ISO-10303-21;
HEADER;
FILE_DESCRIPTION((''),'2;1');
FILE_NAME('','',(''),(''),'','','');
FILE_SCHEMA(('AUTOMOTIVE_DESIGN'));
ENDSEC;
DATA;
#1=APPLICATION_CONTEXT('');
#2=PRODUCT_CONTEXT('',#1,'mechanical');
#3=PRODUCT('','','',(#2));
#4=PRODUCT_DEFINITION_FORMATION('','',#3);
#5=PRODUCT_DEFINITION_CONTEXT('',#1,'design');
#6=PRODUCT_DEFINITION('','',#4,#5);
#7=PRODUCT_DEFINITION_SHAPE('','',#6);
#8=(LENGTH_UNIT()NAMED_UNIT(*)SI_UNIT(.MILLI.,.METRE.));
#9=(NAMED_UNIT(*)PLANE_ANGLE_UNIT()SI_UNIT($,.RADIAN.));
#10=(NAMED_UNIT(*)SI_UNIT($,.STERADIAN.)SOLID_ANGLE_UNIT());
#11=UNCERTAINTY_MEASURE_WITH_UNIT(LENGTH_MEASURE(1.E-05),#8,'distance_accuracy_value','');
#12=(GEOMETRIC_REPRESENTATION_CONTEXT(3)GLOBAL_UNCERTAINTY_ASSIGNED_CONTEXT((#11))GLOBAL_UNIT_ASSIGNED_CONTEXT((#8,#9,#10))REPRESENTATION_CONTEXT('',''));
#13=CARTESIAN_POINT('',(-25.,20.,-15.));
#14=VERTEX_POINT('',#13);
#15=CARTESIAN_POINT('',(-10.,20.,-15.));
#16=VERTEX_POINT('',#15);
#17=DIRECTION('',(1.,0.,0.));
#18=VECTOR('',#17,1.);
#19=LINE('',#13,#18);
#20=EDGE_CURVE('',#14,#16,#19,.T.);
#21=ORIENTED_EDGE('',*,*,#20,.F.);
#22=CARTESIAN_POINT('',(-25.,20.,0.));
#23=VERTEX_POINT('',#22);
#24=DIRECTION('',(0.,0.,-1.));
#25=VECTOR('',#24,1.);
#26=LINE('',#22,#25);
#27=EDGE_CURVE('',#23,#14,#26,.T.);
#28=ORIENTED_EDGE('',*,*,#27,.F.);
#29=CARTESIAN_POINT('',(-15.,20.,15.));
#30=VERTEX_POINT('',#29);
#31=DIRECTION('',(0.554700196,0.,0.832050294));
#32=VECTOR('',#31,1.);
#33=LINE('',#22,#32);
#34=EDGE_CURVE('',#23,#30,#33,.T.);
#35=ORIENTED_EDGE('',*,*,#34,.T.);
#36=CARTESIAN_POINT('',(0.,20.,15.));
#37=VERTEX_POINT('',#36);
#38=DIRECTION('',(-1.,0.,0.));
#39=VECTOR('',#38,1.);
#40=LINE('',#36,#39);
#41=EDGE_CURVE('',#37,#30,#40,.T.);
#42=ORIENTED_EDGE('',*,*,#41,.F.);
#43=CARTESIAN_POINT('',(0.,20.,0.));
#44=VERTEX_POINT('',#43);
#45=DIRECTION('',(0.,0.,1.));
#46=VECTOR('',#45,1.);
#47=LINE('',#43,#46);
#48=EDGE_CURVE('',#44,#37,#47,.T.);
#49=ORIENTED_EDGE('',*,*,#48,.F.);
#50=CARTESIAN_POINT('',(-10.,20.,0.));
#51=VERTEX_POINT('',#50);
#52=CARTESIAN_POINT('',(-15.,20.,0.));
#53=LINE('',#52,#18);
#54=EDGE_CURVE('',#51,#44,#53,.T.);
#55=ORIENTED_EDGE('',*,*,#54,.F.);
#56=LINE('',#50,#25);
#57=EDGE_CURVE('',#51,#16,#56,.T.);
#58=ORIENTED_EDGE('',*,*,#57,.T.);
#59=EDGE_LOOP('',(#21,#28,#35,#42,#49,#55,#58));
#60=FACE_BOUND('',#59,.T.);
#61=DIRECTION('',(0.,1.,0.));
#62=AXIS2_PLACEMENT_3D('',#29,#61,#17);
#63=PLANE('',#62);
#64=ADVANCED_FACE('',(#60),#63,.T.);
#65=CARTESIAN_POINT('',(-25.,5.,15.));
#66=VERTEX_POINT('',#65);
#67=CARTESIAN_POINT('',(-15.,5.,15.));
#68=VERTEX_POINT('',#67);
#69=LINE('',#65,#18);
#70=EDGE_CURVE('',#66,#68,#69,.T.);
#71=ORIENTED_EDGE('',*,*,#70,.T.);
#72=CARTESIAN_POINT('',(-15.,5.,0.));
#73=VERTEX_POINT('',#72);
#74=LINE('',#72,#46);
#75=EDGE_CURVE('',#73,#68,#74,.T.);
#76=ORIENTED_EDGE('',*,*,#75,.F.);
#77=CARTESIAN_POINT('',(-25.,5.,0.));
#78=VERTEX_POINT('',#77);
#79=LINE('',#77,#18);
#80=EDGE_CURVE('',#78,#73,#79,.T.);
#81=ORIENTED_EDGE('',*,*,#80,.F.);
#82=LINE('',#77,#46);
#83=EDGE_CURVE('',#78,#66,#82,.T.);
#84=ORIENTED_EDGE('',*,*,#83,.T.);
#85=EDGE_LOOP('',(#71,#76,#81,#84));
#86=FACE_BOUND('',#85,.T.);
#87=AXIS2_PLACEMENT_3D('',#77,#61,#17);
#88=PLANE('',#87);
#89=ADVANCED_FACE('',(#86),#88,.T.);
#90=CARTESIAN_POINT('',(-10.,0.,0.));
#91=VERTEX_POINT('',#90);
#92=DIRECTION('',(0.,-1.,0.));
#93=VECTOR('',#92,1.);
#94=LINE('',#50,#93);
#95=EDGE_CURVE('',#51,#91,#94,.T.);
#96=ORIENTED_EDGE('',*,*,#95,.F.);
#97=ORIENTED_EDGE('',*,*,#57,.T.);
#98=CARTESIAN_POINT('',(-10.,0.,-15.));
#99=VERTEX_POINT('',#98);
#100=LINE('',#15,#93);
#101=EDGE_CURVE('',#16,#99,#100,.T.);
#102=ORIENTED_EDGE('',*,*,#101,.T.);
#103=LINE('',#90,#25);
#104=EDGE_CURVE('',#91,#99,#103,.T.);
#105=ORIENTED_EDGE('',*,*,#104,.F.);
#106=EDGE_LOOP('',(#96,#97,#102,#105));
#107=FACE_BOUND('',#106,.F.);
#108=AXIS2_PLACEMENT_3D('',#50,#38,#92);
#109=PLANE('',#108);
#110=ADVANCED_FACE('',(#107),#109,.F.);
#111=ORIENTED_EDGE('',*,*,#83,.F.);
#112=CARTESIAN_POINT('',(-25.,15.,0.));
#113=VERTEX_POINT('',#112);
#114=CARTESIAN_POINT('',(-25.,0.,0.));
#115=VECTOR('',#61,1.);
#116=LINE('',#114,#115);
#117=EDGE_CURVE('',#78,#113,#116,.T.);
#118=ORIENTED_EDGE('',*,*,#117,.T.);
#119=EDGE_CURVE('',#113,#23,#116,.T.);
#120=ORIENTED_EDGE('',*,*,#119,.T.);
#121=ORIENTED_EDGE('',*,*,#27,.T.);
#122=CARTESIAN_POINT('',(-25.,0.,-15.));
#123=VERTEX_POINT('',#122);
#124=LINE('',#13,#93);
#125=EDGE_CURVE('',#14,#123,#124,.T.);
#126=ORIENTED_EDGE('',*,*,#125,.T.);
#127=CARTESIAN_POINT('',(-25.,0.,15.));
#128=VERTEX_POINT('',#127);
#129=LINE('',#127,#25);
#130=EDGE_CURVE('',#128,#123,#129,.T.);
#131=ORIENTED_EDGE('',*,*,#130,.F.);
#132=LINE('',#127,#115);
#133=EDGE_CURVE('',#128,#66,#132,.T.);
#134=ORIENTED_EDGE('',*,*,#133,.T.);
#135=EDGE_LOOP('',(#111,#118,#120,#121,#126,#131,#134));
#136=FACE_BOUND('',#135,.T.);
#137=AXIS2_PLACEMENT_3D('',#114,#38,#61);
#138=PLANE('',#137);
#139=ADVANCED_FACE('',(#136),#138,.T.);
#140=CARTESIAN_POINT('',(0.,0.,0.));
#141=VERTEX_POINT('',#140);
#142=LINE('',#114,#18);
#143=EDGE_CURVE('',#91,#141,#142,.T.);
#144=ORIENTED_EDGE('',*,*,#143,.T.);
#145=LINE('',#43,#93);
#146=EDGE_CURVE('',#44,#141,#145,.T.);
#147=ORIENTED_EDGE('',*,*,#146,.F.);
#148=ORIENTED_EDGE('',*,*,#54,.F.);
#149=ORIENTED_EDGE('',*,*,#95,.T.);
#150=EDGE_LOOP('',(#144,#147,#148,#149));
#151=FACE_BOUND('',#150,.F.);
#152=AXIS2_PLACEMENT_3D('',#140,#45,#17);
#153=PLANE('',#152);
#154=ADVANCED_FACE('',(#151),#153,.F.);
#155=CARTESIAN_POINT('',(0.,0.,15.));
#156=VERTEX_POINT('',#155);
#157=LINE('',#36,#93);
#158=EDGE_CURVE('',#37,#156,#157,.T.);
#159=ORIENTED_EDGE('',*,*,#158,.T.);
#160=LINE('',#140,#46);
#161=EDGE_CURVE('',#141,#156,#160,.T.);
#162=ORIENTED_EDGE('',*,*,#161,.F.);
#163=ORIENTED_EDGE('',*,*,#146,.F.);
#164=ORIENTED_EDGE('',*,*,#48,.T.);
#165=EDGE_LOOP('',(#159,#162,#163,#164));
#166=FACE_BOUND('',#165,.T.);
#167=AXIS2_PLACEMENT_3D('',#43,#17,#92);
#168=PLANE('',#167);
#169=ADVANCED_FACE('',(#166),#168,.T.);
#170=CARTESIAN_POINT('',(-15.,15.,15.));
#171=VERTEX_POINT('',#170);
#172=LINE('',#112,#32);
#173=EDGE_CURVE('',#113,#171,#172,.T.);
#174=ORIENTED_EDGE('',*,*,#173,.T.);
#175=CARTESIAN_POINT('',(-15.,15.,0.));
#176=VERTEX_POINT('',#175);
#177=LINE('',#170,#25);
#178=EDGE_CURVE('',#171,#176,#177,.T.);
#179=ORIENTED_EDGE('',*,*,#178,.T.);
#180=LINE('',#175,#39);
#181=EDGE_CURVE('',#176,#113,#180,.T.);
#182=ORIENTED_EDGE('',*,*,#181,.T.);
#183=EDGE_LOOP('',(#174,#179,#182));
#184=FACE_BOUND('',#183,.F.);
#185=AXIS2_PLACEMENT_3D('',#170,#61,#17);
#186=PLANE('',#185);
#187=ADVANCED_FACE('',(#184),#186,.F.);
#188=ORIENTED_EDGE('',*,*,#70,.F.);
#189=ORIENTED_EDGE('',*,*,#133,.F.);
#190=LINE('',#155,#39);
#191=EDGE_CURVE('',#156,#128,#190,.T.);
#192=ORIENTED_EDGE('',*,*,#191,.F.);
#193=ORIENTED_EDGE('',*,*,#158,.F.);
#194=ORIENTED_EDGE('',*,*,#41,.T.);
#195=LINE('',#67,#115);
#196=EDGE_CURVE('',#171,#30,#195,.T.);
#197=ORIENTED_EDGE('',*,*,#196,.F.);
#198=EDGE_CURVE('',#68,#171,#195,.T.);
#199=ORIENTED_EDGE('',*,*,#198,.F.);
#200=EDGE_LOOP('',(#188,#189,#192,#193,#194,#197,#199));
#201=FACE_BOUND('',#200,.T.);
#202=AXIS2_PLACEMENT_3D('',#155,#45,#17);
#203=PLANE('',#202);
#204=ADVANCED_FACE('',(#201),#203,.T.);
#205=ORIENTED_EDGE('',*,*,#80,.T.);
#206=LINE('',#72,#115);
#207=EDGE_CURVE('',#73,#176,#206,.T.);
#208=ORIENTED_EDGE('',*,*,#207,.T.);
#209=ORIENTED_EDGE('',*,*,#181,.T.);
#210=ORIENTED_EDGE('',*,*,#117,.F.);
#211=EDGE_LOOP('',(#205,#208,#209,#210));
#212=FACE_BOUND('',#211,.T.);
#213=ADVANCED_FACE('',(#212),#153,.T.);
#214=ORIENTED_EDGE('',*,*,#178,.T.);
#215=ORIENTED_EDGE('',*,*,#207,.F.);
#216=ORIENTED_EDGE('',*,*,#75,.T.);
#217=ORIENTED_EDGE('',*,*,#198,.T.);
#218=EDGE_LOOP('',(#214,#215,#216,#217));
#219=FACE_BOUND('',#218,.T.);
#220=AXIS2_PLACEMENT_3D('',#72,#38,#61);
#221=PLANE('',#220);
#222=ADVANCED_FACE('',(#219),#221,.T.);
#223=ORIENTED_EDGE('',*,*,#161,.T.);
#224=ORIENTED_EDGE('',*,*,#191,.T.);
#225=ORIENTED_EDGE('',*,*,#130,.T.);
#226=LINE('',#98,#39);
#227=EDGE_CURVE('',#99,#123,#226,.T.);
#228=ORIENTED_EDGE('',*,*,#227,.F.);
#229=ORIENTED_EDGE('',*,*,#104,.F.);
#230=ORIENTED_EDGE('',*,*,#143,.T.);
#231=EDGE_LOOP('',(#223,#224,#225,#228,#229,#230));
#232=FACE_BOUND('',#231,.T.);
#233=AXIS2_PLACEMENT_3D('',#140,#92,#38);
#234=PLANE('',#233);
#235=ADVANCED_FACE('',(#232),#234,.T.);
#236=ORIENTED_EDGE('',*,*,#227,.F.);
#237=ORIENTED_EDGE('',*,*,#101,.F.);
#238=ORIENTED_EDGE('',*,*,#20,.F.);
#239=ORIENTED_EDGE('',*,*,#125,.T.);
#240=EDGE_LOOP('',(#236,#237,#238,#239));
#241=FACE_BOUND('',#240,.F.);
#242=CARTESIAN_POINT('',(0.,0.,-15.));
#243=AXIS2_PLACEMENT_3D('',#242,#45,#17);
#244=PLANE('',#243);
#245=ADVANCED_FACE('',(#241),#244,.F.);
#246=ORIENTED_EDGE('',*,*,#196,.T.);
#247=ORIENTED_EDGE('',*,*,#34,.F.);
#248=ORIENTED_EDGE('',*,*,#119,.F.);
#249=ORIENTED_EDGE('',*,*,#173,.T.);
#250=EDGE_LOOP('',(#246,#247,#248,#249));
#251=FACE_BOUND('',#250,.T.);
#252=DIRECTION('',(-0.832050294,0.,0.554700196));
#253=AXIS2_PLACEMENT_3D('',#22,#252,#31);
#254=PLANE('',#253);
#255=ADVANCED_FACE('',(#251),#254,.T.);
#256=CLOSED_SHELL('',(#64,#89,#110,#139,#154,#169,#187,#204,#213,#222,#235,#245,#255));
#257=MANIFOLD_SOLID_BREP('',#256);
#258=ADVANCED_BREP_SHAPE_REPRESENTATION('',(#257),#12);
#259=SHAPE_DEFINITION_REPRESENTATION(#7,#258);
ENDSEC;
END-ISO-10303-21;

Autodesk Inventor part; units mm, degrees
ref_plane "YZ Plane" through (0, 0, 0) normal (1, 0, 0) x (0, 1, 0)
ref_plane "XZ Plane" through (0, 0, 0) normal (0, 1, 0) x (-1, 0, 0)
ref_plane "XY Plane" through (0, 0, 0) normal (0, 0, 1) x (1, 0, 0)
sketch "Sketch3" plane through (0, 0, 0) normal (0, 0, 1) x (1, 0, 0)
  line L0 (0, 0) -> (-10, 0)
  line L1 (-25, 0) -> (-25, 5)
  line L2 (-25, 5) -> (-15, 5)
  line L3 (-15, 5) -> (-15, 20)
  line L4 (-15, 20) -> (-10, 20)
  line L5 (0, 20) -> (0, 0)
  line L6 (0, 20) -> (-10, 20)
  line L7 (-10, 20) -> (-10, 0)
  line L8 (-10, 20) -> (0, 20)
  line L9 (-10, 0) -> (-25, 0)
  line L10 (-25, 5) -> (-25, 20)
  line L11 (-25, 20) -> (-15, 20)
  dimension "d12" = 25
  dimension "d13" = 5
  dimension "d14" = 10
  dimension "d15" = 15
  dimension "d16" = 15
  dimension "d19" = 10
extrude "Extrusion1" add sketch "Sketch3" along normal blind 15 contours L0 L7 L6 L5 | L9 L1 L2 L3 L4 L7
extrude "Extrusion2" add sketch "Sketch3" against normal blind 15 contours L9 L1 L2 L3 L4 L7 | L3 L2 L10 L11
sketch "Sketch4" plane through (-15, 20, 15) normal (0, 1, 0) x (1, 0, 0)
  line L0 (-10, 15) -> (-10, 30) projected
  line L1 (0, 15) -> (-10, 15)
  line L2 (-10, 15) -> (0, 0)
  line L3 (0, 0) -> (0, 15)
  point P0 (15, 15)
extrude "Extrusion3" add sketch "Sketch4" against normal blind 5
